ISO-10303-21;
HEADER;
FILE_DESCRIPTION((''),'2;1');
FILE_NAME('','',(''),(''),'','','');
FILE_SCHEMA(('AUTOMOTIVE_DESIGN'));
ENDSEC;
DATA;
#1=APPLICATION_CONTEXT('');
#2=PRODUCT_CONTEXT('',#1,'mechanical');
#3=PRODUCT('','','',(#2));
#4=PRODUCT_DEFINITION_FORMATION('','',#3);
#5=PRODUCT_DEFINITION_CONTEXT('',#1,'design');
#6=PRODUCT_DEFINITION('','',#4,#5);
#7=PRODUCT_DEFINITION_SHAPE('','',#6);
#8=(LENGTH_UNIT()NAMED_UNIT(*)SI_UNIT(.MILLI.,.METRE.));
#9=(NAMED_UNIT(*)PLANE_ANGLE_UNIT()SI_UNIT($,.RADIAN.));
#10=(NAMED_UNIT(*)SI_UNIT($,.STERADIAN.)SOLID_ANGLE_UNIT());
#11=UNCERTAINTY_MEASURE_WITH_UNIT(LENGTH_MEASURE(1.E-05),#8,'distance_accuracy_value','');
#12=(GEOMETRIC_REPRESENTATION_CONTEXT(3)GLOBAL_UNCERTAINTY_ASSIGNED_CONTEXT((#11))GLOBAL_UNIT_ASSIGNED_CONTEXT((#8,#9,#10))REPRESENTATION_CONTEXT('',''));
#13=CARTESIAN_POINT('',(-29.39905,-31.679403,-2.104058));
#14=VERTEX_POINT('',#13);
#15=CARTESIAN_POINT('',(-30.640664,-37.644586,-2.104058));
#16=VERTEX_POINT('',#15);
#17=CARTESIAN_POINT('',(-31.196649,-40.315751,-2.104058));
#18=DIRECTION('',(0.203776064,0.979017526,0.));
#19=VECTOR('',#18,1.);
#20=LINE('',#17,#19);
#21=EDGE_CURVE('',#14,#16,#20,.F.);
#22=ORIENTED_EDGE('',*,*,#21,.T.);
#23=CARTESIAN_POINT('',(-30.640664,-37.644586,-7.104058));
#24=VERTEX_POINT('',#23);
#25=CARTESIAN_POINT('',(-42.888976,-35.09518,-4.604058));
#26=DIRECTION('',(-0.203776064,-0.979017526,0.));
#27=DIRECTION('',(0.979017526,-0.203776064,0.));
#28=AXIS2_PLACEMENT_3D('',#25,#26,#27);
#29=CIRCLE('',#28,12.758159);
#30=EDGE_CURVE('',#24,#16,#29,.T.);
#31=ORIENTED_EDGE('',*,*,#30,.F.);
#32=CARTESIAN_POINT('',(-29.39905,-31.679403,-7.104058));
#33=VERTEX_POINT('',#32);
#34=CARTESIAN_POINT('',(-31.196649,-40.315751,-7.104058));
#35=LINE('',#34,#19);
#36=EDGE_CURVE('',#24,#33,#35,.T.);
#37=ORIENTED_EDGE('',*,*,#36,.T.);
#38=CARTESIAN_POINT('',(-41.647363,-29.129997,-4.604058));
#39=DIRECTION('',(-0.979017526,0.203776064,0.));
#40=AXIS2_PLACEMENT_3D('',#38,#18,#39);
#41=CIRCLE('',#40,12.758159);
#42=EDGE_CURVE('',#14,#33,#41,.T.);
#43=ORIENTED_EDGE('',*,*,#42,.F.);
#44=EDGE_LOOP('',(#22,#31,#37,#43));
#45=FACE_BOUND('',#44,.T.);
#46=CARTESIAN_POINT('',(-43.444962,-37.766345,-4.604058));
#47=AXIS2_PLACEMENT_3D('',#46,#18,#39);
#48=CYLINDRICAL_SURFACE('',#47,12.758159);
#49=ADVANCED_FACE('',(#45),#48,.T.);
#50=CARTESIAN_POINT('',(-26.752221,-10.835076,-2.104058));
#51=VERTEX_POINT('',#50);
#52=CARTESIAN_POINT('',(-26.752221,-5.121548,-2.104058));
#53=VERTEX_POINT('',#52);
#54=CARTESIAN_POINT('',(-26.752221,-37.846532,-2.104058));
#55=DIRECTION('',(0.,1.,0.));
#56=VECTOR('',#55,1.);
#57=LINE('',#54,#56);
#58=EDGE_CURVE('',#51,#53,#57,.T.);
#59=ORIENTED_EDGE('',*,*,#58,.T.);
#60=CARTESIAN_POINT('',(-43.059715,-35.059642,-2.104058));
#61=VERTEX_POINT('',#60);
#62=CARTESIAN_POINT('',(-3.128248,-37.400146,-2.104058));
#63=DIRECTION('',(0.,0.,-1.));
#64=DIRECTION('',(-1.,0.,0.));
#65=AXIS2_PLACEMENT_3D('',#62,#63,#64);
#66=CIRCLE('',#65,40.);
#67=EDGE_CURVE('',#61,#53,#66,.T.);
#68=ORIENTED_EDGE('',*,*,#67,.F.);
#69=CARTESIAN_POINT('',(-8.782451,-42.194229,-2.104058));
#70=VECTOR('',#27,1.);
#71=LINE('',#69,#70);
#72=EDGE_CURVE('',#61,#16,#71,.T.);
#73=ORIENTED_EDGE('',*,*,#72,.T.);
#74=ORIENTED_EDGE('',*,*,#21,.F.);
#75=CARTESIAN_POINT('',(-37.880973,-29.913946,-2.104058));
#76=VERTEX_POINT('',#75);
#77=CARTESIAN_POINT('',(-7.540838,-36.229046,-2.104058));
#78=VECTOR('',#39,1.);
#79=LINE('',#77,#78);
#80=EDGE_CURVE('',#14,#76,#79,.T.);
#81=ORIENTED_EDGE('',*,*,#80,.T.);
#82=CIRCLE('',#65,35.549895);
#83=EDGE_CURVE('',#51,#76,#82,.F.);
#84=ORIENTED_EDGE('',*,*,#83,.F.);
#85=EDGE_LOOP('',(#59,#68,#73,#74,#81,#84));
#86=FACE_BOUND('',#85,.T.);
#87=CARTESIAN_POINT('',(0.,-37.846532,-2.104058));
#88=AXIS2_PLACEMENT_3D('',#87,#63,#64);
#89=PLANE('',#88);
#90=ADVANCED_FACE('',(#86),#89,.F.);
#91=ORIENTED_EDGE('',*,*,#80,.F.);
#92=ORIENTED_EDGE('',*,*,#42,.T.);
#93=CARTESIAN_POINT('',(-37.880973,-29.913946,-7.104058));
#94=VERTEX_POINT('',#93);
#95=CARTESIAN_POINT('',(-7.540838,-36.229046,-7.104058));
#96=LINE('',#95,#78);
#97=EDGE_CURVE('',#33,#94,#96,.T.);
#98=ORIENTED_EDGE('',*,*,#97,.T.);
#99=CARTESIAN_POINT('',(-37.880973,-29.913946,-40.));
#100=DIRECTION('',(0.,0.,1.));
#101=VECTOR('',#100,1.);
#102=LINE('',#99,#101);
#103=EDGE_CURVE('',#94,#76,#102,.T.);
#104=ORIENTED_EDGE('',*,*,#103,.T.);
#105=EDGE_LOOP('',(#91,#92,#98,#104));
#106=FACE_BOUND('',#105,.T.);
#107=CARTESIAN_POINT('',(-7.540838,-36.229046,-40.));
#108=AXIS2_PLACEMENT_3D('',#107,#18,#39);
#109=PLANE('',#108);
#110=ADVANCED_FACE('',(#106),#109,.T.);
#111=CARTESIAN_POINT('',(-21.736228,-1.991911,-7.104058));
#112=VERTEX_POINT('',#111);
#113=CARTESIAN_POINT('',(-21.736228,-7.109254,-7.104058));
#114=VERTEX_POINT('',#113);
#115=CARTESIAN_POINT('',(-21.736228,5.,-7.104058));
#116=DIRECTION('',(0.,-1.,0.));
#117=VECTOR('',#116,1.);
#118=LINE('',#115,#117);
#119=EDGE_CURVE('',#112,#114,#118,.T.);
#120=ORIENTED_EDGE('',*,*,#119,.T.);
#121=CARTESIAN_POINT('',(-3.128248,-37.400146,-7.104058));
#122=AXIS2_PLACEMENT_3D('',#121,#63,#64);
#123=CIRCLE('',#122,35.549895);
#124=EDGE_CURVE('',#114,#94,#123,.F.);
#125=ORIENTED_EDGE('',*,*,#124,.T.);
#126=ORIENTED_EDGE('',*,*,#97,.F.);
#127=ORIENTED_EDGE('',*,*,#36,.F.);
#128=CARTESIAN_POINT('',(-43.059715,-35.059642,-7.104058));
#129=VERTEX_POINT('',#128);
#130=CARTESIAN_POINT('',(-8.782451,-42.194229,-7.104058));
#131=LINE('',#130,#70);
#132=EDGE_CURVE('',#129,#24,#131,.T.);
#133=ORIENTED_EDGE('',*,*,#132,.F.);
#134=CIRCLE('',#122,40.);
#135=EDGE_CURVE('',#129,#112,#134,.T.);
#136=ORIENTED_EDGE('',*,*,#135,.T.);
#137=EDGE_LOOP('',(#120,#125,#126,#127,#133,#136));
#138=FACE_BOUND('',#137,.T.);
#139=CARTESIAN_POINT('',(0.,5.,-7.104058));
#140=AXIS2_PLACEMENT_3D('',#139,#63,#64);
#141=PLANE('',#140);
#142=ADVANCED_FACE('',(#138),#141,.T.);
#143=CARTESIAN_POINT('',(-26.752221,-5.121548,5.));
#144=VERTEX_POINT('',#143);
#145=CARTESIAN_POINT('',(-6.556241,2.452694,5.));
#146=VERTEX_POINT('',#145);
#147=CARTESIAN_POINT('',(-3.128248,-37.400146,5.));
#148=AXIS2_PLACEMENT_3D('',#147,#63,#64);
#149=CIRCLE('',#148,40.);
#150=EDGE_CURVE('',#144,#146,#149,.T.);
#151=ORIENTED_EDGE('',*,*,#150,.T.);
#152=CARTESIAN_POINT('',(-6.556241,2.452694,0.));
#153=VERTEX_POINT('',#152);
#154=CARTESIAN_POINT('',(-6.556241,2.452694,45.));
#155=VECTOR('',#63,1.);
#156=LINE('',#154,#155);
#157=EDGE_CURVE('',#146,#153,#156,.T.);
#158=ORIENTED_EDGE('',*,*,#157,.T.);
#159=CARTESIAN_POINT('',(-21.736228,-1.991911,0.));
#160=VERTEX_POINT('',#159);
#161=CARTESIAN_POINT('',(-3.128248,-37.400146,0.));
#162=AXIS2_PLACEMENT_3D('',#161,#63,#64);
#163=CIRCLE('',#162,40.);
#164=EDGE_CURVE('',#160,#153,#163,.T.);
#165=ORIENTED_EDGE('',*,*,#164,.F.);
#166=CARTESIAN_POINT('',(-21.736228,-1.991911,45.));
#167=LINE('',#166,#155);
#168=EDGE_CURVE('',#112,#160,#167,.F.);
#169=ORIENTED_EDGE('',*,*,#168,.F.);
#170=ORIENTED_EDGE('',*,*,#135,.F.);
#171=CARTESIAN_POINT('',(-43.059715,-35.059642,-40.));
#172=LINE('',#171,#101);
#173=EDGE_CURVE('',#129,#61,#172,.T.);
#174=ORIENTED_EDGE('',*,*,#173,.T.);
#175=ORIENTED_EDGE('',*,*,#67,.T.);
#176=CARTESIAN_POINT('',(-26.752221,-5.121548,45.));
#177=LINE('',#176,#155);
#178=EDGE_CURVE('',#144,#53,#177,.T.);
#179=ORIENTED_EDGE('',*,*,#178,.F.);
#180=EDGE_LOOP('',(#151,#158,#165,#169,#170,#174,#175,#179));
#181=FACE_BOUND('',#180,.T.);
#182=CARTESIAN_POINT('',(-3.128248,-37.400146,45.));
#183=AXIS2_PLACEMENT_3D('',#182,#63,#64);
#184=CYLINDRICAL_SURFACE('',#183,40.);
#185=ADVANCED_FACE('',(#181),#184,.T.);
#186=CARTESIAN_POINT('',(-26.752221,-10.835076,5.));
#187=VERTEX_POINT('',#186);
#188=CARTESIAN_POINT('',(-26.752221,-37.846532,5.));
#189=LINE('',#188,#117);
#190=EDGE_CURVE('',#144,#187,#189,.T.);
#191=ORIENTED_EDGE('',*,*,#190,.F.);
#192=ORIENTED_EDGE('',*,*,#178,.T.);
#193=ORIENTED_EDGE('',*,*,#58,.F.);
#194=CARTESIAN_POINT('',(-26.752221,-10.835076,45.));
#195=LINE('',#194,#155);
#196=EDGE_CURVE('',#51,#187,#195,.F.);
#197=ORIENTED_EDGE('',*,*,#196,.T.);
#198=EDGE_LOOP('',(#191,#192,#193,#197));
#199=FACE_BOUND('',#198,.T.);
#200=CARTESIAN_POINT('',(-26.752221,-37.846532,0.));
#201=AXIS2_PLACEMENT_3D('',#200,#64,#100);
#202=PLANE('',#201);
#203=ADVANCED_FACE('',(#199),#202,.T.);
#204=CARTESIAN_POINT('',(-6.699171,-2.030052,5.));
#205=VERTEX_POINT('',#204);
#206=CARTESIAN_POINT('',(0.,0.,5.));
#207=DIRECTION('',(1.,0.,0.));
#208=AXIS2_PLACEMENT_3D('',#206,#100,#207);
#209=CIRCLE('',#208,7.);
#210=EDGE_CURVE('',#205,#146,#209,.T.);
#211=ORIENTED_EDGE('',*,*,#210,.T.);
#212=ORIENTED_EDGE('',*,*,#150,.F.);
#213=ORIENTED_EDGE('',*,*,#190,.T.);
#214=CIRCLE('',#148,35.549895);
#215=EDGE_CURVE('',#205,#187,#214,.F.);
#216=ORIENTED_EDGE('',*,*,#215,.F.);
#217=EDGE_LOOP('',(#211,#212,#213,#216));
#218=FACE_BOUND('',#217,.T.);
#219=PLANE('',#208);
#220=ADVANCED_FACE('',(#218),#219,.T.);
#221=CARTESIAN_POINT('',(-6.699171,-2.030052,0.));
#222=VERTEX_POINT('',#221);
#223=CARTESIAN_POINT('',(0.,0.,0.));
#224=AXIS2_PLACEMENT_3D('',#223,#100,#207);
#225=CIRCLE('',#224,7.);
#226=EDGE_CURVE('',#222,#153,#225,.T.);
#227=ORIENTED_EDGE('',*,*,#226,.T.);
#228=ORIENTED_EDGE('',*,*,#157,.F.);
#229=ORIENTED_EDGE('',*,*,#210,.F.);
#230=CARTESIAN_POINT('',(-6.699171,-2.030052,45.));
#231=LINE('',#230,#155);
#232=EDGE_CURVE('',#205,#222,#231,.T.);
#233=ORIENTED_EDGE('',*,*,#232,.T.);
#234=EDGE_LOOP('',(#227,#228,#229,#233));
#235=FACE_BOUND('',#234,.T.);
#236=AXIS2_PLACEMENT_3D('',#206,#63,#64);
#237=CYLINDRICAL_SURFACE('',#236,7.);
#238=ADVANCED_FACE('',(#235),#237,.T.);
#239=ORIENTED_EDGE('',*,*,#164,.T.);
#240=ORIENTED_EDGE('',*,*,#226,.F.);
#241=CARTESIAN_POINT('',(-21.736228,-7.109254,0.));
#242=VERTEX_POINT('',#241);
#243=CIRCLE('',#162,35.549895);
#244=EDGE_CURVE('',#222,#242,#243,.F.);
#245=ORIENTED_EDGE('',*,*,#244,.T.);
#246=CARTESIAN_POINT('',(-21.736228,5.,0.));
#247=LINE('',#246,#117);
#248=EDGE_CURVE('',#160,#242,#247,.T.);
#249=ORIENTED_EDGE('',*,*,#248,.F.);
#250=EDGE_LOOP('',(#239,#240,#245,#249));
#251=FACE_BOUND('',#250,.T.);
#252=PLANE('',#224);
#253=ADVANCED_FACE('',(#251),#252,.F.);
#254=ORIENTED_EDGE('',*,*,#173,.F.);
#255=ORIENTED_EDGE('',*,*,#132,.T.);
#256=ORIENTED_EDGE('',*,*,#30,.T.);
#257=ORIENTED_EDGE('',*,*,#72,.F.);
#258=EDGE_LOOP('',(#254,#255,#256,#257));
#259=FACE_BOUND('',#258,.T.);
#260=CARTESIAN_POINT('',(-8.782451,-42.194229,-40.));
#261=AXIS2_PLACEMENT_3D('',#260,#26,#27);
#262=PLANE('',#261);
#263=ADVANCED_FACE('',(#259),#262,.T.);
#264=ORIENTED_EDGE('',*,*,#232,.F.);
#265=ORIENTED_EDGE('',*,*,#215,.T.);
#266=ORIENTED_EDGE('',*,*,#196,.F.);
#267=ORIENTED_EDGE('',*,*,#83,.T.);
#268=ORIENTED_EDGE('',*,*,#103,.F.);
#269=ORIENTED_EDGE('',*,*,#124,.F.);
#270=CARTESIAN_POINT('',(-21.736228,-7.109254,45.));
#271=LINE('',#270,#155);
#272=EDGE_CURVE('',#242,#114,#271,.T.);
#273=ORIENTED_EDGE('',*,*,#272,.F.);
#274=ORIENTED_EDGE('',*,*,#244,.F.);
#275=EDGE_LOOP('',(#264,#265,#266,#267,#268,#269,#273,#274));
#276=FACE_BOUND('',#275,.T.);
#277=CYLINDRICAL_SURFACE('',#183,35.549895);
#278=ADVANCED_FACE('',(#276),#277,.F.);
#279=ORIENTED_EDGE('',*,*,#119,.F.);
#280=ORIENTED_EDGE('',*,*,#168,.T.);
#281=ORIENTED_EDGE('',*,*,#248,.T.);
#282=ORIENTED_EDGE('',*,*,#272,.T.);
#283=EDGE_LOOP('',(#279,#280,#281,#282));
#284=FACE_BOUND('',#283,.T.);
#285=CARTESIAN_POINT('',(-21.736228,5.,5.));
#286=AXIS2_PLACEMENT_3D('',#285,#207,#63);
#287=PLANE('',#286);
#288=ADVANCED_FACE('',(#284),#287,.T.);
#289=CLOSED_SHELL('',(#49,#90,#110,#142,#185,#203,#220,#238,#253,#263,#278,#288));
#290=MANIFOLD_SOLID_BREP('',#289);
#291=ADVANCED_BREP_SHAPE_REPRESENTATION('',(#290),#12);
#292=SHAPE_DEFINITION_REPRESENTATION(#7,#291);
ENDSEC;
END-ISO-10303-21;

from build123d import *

# Parameters (mm, degrees)
BOSS_EXTRU_2_DEPTH      = 5
BOSS_EXTRU_3_DEPTH      = 45
ENL_V_START             = -73.880031702
ENL_V_MAT_EXTRU_3_DEPTH = 78.880031702
ESQUISSE4_4_W           = 16.307493561
ESQUISSE4_4_H           = 7.104058167
ENL_V_MAT_EXTRU_4_DEPTH = 59.591870128
ENL_V_MAT_EXTRU_6_DEPTH = 58.24377063
ENL_V_MAT_EXTRU_7_DEPTH = 59.494096558


with BuildPart() as part:
    # Esquisse3 → Boss.-Extru.2 (new body)
    with BuildSketch(Plane.XY):
        with BuildLine():
            ThreePointArc((7, 0), (1.246257582, 6.888166813), (-6.556240583, 2.452694319))
            ThreePointArc((-6.556240583, 2.452694319), (-6.99644453, 0.22307834), (-6.699170831, -2.030051767))
            ThreePointArc((-6.699170831, -2.030051767), (1.026110175, -6.924384298), (7, 0))
        make_face()
    extrude(amount=BOSS_EXTRU_2_DEPTH)

    # Esquisse3<3> → Boss.-Extru.3 (add)
    with BuildSketch(Plane.XY):
        with BuildLine():
            ThreePointArc((-6.556240583, 2.452694319), (-31.795381091, -9.503990443), (-43.059714875, -35.059641647))
            Line((-43.059714875, -35.059641647), (-29.67043681, -37.846531887))
            Line((-29.67043681, -37.846531887), (-28.42882324, -31.881349224))
            Line((-28.42882324, -31.881349224), (-37.880972605, -29.913946449))
            ThreePointArc((-37.880972605, -29.913946449), (-26.825365644, -10.900303142), (-6.699170831, -2.030051767))
            ThreePointArc((-6.699170831, -2.030051767), (-6.99644453, 0.22307834), (-6.556240583, 2.452694319))
        make_face()
    boss_extru_3 = extrude(amount=BOSS_EXTRU_3_DEPTH)

    # Esquisse4 → Enlèv. mat.-Extru.3 (cut)
    with BuildSketch(Plane(origin=(0, 0, 0), x_dir=(1, 0, 0), z_dir=(0, 1, 0)).offset(ENL_V_START)):
        Polygon((-6.556240583, -21.643777245), (-6.556240583, -5), (-21.736227675, -5), (-21.736227675, -12.104058167), (-43.059714875, -12.104058167), (-43.059714875, -45), (-43.059714875, -53.527020644), (-6.425184121, -53.527020644), align=None)
    enl_v_mat_extru_3 = extrude(amount=ENL_V_MAT_EXTRU_3_DEPTH, mode=Mode.SUBTRACT)

    # Esquisse4<4> → Enlèv. mat.-Extru.4 (cut, through all)
    with BuildSketch(Plane(origin=(0, 0, 0), x_dir=(1, 0, 0), z_dir=(0, 1, 0))):
        with Locations((-34.905968095, -3.552029084)):
            Rectangle(ESQUISSE4_4_W, ESQUISSE4_4_H)
    enl_v_mat_extru_4 = extrude(amount=-ENL_V_MAT_EXTRU_4_DEPTH, mode=Mode.SUBTRACT)

    # Esquisse5 → Enlèv. mat.-Extru.6 (cut, through all)
    with BuildSketch(Plane(origin=(-7.540837864, -36.229046112, 0), x_dir=(0.9790175257089632, -0.2037760642340011, 0), z_dir=(0.2037760642340011, 0.9790175257089632, 0))):
        with BuildLine():
            Line((-22.326681436, -7.104058167), (-21.33566032, -7.104058167))
            Line((-21.33566032, -7.104058167), (-21.33566032, -12.104058167))
            Line((-21.33566032, -12.104058167), (-22.326681436, -12.104058167))
            ThreePointArc((-22.326681436, -12.104058167), (-22.079342596, -9.604058167), (-22.326681436, -7.104058167))
        make_face()
    enl_v_mat_extru_6 = extrude(amount=-ENL_V_MAT_EXTRU_6_DEPTH, mode=Mode.SUBTRACT)

    # Symétrie1: Boss.-Extru.3, Enlèv. mat.-Extru.3, Enlèv. mat.-Extru.4, Enlèv. mat.-Extru.6 across plane
    add(boss_extru_3.mirror(Plane.XY.offset(2.5)))
    add(enl_v_mat_extru_3.mirror(Plane.XY.offset(2.5)), mode=Mode.SUBTRACT)
    add(enl_v_mat_extru_4.mirror(Plane.XY.offset(2.5)), mode=Mode.SUBTRACT)
    add(enl_v_mat_extru_6.mirror(Plane.XY.offset(2.5)), mode=Mode.SUBTRACT)

    # Esquisse6 → Enlèv. mat.-Extru.7 (cut, through all)
    with BuildSketch(Plane(origin=(0, 0, 0), x_dir=(1, 0, 0), z_dir=(0, 1, 0))):
        Polygon((-21.736227675, -5), (-29.704410318, -5), (-43.059714875, -7.104058167), (-43.059714875, -12.104058167), (-21.736227675, -12.104058167), align=None)
    extrude(amount=-ENL_V_MAT_EXTRU_7_DEPTH, mode=Mode.SUBTRACT)


solid = part.part
